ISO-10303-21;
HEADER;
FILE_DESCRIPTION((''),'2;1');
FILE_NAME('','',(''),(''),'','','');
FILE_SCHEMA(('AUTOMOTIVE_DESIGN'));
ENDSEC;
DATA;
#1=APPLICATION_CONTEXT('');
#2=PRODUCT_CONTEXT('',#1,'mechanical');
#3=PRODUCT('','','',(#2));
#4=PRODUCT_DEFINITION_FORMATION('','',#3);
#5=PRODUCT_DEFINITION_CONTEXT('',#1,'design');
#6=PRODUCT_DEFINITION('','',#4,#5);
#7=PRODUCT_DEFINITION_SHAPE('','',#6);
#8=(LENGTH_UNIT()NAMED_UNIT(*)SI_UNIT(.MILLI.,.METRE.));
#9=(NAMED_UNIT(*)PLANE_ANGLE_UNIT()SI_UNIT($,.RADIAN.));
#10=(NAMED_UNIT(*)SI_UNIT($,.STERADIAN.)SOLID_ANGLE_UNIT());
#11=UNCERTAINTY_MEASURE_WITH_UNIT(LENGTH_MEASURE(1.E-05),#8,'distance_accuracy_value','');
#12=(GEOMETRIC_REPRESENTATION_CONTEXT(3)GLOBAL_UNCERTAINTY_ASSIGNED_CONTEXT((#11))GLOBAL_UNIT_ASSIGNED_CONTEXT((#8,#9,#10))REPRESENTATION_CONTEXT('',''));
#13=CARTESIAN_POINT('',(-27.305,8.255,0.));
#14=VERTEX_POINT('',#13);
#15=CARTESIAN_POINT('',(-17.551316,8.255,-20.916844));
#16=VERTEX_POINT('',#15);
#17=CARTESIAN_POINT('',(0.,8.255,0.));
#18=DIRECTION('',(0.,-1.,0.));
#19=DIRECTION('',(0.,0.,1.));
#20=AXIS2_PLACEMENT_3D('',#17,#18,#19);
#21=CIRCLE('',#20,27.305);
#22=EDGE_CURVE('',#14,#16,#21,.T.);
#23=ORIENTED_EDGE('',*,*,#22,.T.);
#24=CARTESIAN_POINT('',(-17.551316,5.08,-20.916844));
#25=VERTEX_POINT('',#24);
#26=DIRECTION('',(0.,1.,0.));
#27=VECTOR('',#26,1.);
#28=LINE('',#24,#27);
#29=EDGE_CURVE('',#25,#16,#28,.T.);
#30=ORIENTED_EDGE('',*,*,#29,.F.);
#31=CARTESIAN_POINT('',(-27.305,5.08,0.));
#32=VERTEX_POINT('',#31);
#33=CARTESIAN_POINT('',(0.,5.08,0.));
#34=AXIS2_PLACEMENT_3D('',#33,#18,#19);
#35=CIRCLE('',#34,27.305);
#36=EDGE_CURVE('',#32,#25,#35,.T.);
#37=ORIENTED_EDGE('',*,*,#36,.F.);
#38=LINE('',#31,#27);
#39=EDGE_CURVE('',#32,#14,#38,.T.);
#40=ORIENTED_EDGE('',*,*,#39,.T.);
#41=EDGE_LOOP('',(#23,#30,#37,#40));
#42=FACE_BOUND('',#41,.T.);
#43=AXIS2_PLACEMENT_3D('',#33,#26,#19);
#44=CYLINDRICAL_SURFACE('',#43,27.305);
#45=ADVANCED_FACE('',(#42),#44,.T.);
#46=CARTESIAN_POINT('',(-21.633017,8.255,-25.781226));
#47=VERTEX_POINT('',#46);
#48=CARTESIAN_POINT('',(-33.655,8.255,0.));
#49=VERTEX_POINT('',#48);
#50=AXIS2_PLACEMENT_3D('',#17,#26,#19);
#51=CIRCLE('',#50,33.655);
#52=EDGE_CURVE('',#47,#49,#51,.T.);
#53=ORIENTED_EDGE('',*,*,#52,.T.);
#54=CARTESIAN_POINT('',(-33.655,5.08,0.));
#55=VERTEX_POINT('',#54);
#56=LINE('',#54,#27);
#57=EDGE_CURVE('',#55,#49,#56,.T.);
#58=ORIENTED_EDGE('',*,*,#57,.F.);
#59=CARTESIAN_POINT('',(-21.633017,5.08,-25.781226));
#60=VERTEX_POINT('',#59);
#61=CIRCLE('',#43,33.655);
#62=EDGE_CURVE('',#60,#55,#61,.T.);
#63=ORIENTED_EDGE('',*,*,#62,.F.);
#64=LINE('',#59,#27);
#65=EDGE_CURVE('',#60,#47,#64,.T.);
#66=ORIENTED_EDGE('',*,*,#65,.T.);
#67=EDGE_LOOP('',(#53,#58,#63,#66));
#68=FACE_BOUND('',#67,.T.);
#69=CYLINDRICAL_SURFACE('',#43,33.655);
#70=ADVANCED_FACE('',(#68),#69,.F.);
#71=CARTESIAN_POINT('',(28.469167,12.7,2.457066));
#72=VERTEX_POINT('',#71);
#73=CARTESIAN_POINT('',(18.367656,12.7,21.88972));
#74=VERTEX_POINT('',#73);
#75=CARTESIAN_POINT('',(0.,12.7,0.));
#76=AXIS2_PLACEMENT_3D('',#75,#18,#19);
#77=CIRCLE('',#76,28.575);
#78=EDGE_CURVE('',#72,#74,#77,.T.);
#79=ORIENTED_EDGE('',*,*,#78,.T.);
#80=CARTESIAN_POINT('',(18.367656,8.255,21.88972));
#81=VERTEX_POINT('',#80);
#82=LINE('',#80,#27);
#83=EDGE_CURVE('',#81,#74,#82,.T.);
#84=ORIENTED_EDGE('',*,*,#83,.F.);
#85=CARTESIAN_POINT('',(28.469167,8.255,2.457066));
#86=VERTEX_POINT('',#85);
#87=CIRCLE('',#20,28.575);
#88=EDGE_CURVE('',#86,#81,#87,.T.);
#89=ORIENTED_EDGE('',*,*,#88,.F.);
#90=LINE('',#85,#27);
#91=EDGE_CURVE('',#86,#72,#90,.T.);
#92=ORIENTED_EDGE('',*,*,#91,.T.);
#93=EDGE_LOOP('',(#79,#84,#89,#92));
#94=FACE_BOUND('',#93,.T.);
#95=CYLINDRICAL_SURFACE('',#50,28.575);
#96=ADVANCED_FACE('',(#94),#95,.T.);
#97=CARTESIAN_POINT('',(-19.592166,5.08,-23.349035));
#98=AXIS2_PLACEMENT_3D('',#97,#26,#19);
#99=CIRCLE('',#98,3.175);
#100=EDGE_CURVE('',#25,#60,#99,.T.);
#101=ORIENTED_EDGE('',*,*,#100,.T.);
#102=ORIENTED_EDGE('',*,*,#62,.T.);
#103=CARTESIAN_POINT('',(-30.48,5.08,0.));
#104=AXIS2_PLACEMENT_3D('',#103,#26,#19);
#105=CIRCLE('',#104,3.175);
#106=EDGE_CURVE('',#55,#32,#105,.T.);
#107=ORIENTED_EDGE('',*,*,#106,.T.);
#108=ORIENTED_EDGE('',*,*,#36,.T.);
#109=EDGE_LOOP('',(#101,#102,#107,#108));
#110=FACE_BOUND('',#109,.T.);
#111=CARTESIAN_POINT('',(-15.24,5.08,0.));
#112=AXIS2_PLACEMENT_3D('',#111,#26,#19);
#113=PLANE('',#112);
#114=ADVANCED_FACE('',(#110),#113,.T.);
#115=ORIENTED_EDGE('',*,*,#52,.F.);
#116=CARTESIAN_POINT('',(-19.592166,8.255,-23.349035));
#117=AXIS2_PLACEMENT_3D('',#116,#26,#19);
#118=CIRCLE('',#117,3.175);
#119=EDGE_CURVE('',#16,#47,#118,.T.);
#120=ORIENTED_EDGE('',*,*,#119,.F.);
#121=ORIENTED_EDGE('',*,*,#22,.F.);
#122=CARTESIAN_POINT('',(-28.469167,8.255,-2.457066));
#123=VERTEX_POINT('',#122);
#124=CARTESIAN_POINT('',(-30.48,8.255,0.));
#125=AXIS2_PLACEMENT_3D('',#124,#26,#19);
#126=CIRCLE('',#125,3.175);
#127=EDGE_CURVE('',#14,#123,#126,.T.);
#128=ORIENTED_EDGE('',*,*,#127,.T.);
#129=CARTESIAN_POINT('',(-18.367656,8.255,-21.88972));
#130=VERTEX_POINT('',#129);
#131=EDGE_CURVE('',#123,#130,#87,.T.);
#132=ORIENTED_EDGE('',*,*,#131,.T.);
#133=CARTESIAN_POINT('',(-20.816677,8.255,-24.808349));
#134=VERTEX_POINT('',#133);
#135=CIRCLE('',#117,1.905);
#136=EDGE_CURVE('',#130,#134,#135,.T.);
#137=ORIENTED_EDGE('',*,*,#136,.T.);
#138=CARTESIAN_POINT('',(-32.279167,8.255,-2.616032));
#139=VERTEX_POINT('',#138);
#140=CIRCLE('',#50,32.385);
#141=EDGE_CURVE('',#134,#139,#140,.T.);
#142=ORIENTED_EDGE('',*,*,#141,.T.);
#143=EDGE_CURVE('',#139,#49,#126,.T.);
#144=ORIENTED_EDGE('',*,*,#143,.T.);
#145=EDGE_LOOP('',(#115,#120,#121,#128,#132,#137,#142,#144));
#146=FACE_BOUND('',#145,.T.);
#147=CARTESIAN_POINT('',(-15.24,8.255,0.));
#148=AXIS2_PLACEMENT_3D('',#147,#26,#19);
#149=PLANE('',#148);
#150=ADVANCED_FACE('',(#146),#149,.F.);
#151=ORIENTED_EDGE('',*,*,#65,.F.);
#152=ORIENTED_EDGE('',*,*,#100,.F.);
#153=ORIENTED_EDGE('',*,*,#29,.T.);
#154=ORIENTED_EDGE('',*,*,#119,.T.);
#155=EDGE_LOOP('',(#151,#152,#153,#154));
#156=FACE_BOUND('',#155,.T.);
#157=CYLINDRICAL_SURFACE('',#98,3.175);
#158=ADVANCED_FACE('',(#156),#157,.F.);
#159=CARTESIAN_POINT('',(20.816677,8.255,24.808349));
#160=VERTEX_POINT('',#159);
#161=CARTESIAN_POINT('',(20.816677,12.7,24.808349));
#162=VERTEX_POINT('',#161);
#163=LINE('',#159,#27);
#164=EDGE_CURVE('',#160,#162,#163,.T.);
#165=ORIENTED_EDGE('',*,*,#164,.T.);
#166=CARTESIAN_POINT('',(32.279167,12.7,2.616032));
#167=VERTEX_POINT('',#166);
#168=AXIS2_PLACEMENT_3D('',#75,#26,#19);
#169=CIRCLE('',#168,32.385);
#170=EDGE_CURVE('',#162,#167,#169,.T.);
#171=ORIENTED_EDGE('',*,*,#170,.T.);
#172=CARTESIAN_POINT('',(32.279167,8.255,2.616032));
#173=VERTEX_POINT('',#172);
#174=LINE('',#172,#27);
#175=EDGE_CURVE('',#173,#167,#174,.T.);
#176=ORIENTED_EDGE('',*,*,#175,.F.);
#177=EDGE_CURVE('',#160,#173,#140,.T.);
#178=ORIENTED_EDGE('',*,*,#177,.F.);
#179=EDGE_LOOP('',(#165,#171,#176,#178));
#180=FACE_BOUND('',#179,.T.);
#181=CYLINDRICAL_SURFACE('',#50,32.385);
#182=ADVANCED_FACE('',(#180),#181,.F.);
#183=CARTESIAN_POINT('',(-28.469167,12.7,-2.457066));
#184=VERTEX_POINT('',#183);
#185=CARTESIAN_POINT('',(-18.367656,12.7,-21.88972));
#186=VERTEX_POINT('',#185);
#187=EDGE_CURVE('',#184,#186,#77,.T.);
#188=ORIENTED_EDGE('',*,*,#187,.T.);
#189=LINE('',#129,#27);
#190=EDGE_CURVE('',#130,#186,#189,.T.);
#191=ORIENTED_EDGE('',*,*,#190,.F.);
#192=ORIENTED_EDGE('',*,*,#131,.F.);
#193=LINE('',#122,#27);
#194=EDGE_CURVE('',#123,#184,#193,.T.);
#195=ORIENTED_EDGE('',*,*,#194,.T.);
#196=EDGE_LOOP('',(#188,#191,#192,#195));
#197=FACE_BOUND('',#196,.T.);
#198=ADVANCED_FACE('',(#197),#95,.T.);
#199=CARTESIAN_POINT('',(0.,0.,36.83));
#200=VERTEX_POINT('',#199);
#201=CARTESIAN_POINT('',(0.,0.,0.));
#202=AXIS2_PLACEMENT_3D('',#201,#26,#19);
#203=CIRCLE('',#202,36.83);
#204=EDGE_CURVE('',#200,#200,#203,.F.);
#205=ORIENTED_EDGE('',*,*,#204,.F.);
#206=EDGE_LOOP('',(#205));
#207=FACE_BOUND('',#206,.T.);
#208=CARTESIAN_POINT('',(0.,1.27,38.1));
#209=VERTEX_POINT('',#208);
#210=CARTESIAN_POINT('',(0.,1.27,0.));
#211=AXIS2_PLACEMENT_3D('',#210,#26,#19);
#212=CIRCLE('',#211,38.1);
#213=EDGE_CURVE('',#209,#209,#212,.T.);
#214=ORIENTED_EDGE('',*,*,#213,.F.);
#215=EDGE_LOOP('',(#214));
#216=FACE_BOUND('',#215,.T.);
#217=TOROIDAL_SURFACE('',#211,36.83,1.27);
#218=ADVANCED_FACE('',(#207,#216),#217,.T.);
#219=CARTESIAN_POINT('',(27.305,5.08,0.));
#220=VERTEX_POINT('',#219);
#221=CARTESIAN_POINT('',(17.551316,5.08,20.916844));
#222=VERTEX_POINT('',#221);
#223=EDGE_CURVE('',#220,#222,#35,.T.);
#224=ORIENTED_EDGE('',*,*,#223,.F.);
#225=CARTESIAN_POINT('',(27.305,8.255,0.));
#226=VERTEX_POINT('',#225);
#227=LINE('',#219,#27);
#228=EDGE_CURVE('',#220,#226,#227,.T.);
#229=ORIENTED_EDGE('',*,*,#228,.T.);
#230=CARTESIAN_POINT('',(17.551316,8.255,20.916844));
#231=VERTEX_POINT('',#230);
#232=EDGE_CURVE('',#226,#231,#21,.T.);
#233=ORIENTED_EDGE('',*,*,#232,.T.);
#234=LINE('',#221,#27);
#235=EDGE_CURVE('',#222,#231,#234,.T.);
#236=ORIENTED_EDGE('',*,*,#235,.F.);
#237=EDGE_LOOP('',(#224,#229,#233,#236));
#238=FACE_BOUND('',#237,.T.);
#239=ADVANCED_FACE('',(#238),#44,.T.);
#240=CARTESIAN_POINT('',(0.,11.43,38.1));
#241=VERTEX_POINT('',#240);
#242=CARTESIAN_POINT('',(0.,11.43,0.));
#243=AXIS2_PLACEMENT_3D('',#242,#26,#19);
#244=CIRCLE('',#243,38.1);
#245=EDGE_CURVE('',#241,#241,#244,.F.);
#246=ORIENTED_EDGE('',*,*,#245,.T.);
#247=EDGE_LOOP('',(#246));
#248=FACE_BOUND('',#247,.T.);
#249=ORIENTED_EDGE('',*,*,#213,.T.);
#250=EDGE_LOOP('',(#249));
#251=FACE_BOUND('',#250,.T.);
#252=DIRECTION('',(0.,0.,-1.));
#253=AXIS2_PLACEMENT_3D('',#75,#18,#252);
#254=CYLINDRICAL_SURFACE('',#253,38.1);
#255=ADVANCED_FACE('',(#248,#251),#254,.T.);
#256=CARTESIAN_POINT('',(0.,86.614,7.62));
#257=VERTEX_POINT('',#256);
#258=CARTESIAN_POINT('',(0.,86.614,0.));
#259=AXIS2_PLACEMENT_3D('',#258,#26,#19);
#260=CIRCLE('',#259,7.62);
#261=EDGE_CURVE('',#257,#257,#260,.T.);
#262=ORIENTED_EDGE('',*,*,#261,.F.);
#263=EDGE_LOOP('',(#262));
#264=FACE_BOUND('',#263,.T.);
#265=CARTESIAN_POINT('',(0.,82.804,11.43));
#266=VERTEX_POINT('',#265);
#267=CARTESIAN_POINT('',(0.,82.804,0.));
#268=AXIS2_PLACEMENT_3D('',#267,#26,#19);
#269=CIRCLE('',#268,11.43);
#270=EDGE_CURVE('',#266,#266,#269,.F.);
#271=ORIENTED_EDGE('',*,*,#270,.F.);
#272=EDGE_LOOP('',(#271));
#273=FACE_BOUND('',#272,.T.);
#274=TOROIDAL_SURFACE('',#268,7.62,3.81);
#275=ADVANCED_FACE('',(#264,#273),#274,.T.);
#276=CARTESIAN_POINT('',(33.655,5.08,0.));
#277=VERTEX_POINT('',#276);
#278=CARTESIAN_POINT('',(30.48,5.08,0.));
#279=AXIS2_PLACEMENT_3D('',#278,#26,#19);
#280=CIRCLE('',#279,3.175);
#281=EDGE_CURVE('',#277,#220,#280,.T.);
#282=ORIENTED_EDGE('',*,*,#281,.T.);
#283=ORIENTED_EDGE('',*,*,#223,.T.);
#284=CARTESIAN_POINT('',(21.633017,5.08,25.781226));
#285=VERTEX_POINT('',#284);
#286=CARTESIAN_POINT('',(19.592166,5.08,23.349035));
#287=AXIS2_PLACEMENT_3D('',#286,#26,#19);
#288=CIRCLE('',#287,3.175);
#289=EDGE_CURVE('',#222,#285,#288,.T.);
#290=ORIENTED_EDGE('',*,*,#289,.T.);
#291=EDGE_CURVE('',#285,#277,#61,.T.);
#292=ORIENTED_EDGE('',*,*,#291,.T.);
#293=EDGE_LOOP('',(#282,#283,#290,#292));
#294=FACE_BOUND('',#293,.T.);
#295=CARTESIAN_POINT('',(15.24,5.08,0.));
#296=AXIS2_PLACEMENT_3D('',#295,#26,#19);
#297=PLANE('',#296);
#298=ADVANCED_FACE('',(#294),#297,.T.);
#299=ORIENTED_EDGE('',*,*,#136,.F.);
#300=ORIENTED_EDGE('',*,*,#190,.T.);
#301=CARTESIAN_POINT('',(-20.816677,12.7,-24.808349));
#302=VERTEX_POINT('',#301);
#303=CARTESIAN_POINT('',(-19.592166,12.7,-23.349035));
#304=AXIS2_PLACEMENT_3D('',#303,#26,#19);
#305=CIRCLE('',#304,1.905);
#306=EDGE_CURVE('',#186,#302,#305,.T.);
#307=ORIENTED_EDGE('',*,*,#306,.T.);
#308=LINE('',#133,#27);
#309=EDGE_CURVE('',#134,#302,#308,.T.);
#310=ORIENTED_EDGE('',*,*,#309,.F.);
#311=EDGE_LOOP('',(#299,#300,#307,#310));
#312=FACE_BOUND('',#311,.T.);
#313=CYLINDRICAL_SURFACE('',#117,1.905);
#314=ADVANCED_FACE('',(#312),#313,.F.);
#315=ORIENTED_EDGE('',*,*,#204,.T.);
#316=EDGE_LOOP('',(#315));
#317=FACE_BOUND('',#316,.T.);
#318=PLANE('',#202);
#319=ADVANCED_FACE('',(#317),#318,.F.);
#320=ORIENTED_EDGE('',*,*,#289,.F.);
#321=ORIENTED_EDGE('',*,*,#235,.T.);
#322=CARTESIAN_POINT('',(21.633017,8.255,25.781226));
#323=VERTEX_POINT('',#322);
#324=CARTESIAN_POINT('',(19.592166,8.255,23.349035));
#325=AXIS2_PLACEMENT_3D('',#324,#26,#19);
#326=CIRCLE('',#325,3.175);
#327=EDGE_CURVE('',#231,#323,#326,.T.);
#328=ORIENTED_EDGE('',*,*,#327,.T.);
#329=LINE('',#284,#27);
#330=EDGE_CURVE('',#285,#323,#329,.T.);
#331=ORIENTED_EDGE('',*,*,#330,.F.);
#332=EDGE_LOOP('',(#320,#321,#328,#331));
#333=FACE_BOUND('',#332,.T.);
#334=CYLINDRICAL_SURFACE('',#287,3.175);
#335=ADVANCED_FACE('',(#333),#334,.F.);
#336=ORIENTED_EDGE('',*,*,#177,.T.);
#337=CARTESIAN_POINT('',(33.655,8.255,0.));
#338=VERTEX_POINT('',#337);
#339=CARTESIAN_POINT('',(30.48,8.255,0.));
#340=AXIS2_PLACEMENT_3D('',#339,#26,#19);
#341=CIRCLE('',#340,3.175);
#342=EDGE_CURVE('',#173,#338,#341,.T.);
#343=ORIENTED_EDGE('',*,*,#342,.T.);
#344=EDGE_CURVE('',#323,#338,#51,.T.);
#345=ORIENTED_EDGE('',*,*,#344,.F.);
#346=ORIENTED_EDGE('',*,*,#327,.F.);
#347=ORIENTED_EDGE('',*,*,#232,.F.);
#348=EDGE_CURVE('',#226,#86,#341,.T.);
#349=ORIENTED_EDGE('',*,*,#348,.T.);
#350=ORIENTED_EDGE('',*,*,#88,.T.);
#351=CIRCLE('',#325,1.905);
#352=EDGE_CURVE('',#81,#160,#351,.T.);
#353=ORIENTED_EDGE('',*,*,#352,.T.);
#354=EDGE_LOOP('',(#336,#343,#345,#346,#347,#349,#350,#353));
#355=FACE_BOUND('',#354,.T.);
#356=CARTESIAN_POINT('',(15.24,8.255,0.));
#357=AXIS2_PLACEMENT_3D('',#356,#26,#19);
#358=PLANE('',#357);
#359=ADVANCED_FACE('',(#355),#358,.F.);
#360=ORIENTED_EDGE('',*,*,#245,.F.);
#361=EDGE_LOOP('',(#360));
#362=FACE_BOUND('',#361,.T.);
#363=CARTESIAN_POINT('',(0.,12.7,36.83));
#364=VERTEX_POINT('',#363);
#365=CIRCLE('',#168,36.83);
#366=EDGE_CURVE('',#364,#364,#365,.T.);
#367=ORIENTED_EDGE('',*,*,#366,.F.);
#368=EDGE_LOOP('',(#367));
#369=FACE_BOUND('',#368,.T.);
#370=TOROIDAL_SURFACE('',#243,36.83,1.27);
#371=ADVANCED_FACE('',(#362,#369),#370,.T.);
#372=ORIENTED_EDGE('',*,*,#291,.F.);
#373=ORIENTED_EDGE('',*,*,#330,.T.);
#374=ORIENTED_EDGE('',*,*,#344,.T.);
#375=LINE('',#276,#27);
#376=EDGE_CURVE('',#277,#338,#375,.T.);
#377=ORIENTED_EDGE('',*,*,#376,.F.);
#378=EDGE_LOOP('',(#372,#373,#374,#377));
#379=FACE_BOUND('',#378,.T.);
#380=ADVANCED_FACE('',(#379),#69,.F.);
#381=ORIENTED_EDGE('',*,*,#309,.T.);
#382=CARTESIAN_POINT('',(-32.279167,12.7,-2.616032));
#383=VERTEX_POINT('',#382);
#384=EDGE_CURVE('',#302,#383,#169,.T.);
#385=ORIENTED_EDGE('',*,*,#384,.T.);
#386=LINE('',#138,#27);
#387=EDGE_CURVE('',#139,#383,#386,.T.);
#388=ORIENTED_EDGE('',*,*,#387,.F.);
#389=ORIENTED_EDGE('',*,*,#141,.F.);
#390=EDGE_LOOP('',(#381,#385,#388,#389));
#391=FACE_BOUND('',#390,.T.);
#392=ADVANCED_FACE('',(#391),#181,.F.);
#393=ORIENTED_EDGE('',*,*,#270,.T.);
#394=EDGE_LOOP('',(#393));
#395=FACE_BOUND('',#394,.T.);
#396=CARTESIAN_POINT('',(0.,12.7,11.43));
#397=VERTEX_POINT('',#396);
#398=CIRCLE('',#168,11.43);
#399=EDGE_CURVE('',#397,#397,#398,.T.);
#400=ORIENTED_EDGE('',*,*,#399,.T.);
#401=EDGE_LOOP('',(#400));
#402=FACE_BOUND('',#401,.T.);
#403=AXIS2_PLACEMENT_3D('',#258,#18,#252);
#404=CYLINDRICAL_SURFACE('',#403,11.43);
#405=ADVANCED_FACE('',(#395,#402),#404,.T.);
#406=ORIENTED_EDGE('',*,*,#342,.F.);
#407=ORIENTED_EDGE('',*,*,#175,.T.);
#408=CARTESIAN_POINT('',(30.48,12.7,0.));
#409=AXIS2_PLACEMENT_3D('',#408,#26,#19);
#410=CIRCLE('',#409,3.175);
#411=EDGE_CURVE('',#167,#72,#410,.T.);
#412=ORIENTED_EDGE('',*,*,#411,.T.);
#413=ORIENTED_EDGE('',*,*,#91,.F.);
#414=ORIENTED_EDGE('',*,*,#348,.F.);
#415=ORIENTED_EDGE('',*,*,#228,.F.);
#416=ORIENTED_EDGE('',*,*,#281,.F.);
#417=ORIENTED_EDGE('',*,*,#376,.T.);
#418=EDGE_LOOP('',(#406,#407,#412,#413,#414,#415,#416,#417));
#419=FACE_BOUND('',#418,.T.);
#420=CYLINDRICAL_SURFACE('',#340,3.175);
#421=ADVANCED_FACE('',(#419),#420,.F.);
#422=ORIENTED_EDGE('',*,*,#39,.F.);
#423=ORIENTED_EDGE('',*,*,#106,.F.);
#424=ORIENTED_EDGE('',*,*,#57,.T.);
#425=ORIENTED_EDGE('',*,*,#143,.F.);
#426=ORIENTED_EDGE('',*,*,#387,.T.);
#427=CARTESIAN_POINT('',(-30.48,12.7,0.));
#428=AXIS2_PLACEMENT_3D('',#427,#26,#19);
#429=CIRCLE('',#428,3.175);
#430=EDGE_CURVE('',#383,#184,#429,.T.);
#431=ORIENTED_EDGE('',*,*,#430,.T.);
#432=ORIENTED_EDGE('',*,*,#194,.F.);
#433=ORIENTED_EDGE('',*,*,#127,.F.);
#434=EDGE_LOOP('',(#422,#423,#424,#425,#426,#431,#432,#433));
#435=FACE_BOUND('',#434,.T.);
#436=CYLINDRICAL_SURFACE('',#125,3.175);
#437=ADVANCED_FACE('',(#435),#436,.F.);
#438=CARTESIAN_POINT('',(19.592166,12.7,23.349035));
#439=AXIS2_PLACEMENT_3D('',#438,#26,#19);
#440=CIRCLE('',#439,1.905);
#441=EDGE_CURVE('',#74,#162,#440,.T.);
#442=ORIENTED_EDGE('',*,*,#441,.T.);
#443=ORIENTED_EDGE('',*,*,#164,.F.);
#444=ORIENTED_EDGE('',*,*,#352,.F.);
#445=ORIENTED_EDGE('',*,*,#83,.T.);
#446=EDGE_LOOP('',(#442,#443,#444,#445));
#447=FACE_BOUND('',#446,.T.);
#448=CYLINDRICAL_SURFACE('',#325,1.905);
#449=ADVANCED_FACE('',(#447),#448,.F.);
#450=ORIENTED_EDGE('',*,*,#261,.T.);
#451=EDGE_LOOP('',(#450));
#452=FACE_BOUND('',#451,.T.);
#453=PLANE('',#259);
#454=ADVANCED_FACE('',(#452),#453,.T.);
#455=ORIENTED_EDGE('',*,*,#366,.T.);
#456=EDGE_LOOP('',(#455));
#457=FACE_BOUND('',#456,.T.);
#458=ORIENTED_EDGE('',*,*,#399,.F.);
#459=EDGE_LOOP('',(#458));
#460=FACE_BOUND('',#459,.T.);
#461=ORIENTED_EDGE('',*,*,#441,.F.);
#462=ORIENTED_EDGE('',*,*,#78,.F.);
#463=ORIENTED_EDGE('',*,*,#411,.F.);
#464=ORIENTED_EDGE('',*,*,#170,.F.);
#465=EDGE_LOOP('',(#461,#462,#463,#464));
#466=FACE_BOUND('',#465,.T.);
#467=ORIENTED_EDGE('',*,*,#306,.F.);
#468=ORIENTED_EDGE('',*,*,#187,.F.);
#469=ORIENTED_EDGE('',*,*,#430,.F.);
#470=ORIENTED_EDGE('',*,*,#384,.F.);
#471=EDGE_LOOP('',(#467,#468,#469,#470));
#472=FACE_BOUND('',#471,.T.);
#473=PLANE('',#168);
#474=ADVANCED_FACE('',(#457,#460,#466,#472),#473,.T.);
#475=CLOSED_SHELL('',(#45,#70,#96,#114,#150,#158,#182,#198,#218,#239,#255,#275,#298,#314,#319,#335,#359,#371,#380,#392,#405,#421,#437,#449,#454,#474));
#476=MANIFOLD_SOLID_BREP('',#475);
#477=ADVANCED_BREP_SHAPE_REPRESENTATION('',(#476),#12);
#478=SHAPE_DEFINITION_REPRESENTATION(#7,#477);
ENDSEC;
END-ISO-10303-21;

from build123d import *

# Parameters (mm, degrees)
SKETCH1_R           = 38.1
BOSS_EXTRUDE1_DEPTH = 12.7
SKETCH2_R           = 11.43
BOSS_EXTRUDE2_DEPTH = 73.914
FILLET1_R           = 1.27
FILLET2_R           = 1.27
FILLET3_R           = 3.81
CUT_EXTRUDE1_DEPTH  = 4.445
CUT_EXTRUDE2_DEPTH  = 3.175


with BuildPart() as part:
    # Sketch1 → Boss-Extrude1 (new body)
    with BuildSketch(Plane(origin=(0, 0, 0), x_dir=(1, 0, 0), z_dir=(0, 1, 0))):
        with Locations(Location((0, 0, 0), (0, 0, 270))):
            Circle(SKETCH1_R)
    extrude(amount=BOSS_EXTRUDE1_DEPTH)

    # Sketch2 → Boss-Extrude2 (add)
    with BuildSketch(Plane(origin=(0, 12.7, 0), x_dir=(1, 0, 0), z_dir=(0, 1, 0))):
        with Locations(Location((0, 0, 0), (0, 0, 270))):
            Circle(SKETCH2_R)
    extrude(amount=BOSS_EXTRUDE2_DEPTH)

    # Fillet1
    fillet1_edges = [part.edges().sort_by_distance(p)[0] for p in [
        (0, 12.7, -38.1),
    ]]
    fillet(fillet1_edges, radius=FILLET1_R)

    # Fillet2
    fillet2_edges = [part.edges().sort_by_distance(p)[0] for p in [
        (0, 0, -38.1),
    ]]
    fillet(fillet2_edges, radius=FILLET2_R)

    # Fillet3
    fillet3_edges = [part.edges().sort_by_distance(p)[0] for p in [
        (0, 86.614, -11.43),
    ]]
    fillet(fillet3_edges, radius=FILLET3_R)

    # Sketch4 → Cut-Extrude1 (cut)
    with BuildSketch(Plane(origin=(0, 12.7, 0), x_dir=(1, 0, 0), z_dir=(0, 1, 0))):
        with BuildLine():
            ThreePointArc((-32.279166667, 2.616032168), (-30.612356486, -3.172240023), (-28.469166667, 2.457066199))
            ThreePointArc((-28.469166667, 2.457066199), (-25.354072576, 13.179591374), (-18.367655947, 21.889719962))
            ThreePointArc((-18.367655947, 21.889719962), (-18.132851679, 24.573545023), (-20.81667674, 24.80834929))
            ThreePointArc((-20.81667674, 24.80834929), (-28.773544821, 14.861740929), (-32.279166667, 2.616032168))
        make_face()
        with BuildLine():
            ThreePointArc((32.279166667, -2.616032168), (30.612356486, 3.172240023), (28.469166667, -2.457066199))
            ThreePointArc((28.469166667, -2.457066199), (25.354072576, -13.179591374), (18.367655947, -21.889719962))
            ThreePointArc((18.367655947, -21.889719962), (18.132851679, -24.573545023), (20.81667674, -24.80834929))
            ThreePointArc((20.81667674, -24.80834929), (28.773544821, -14.861740929), (32.279166667, -2.616032168))
        make_face()
    extrude(amount=-CUT_EXTRUDE1_DEPTH, mode=Mode.SUBTRACT)

    # Sketch5 → Cut-Extrude2 (cut)
    with BuildSketch(Plane(origin=(0, 8.255, 0), x_dir=(1, 0, 0), z_dir=(0, 1, 0))):
        with BuildLine():
            ThreePointArc((-21.633017004, 25.781225733), (-30.501788573, 14.223217599), (-33.655, 0))
            ThreePointArc((-33.655, 0), (-30.48, -3.175), (-27.305, 0))
            ThreePointArc((-27.305, 0), (-24.746734125, 11.539591637), (-17.551315682, 20.916843519))
            ThreePointArc((-17.551315682, 20.916843519), (-17.159975236, 25.389885287), (-21.633017004, 25.781225733))
        make_face()
        with BuildLine():
            ThreePointArc((33.655, 0), (30.48, 3.175), (27.305, 0))
            ThreePointArc((27.305, 0), (24.746734125, -11.539591637), (17.551315682, -20.916843519))
            ThreePointArc((17.551315682, -20.916843519), (17.159975236, -25.389885287), (21.633017004, -25.781225733))
            ThreePointArc((21.633017004, -25.781225733), (30.501788573, -14.223217599), (33.655, 0))
        make_face()
    extrude(amount=-CUT_EXTRUDE2_DEPTH, mode=Mode.SUBTRACT)


solid = part.part
